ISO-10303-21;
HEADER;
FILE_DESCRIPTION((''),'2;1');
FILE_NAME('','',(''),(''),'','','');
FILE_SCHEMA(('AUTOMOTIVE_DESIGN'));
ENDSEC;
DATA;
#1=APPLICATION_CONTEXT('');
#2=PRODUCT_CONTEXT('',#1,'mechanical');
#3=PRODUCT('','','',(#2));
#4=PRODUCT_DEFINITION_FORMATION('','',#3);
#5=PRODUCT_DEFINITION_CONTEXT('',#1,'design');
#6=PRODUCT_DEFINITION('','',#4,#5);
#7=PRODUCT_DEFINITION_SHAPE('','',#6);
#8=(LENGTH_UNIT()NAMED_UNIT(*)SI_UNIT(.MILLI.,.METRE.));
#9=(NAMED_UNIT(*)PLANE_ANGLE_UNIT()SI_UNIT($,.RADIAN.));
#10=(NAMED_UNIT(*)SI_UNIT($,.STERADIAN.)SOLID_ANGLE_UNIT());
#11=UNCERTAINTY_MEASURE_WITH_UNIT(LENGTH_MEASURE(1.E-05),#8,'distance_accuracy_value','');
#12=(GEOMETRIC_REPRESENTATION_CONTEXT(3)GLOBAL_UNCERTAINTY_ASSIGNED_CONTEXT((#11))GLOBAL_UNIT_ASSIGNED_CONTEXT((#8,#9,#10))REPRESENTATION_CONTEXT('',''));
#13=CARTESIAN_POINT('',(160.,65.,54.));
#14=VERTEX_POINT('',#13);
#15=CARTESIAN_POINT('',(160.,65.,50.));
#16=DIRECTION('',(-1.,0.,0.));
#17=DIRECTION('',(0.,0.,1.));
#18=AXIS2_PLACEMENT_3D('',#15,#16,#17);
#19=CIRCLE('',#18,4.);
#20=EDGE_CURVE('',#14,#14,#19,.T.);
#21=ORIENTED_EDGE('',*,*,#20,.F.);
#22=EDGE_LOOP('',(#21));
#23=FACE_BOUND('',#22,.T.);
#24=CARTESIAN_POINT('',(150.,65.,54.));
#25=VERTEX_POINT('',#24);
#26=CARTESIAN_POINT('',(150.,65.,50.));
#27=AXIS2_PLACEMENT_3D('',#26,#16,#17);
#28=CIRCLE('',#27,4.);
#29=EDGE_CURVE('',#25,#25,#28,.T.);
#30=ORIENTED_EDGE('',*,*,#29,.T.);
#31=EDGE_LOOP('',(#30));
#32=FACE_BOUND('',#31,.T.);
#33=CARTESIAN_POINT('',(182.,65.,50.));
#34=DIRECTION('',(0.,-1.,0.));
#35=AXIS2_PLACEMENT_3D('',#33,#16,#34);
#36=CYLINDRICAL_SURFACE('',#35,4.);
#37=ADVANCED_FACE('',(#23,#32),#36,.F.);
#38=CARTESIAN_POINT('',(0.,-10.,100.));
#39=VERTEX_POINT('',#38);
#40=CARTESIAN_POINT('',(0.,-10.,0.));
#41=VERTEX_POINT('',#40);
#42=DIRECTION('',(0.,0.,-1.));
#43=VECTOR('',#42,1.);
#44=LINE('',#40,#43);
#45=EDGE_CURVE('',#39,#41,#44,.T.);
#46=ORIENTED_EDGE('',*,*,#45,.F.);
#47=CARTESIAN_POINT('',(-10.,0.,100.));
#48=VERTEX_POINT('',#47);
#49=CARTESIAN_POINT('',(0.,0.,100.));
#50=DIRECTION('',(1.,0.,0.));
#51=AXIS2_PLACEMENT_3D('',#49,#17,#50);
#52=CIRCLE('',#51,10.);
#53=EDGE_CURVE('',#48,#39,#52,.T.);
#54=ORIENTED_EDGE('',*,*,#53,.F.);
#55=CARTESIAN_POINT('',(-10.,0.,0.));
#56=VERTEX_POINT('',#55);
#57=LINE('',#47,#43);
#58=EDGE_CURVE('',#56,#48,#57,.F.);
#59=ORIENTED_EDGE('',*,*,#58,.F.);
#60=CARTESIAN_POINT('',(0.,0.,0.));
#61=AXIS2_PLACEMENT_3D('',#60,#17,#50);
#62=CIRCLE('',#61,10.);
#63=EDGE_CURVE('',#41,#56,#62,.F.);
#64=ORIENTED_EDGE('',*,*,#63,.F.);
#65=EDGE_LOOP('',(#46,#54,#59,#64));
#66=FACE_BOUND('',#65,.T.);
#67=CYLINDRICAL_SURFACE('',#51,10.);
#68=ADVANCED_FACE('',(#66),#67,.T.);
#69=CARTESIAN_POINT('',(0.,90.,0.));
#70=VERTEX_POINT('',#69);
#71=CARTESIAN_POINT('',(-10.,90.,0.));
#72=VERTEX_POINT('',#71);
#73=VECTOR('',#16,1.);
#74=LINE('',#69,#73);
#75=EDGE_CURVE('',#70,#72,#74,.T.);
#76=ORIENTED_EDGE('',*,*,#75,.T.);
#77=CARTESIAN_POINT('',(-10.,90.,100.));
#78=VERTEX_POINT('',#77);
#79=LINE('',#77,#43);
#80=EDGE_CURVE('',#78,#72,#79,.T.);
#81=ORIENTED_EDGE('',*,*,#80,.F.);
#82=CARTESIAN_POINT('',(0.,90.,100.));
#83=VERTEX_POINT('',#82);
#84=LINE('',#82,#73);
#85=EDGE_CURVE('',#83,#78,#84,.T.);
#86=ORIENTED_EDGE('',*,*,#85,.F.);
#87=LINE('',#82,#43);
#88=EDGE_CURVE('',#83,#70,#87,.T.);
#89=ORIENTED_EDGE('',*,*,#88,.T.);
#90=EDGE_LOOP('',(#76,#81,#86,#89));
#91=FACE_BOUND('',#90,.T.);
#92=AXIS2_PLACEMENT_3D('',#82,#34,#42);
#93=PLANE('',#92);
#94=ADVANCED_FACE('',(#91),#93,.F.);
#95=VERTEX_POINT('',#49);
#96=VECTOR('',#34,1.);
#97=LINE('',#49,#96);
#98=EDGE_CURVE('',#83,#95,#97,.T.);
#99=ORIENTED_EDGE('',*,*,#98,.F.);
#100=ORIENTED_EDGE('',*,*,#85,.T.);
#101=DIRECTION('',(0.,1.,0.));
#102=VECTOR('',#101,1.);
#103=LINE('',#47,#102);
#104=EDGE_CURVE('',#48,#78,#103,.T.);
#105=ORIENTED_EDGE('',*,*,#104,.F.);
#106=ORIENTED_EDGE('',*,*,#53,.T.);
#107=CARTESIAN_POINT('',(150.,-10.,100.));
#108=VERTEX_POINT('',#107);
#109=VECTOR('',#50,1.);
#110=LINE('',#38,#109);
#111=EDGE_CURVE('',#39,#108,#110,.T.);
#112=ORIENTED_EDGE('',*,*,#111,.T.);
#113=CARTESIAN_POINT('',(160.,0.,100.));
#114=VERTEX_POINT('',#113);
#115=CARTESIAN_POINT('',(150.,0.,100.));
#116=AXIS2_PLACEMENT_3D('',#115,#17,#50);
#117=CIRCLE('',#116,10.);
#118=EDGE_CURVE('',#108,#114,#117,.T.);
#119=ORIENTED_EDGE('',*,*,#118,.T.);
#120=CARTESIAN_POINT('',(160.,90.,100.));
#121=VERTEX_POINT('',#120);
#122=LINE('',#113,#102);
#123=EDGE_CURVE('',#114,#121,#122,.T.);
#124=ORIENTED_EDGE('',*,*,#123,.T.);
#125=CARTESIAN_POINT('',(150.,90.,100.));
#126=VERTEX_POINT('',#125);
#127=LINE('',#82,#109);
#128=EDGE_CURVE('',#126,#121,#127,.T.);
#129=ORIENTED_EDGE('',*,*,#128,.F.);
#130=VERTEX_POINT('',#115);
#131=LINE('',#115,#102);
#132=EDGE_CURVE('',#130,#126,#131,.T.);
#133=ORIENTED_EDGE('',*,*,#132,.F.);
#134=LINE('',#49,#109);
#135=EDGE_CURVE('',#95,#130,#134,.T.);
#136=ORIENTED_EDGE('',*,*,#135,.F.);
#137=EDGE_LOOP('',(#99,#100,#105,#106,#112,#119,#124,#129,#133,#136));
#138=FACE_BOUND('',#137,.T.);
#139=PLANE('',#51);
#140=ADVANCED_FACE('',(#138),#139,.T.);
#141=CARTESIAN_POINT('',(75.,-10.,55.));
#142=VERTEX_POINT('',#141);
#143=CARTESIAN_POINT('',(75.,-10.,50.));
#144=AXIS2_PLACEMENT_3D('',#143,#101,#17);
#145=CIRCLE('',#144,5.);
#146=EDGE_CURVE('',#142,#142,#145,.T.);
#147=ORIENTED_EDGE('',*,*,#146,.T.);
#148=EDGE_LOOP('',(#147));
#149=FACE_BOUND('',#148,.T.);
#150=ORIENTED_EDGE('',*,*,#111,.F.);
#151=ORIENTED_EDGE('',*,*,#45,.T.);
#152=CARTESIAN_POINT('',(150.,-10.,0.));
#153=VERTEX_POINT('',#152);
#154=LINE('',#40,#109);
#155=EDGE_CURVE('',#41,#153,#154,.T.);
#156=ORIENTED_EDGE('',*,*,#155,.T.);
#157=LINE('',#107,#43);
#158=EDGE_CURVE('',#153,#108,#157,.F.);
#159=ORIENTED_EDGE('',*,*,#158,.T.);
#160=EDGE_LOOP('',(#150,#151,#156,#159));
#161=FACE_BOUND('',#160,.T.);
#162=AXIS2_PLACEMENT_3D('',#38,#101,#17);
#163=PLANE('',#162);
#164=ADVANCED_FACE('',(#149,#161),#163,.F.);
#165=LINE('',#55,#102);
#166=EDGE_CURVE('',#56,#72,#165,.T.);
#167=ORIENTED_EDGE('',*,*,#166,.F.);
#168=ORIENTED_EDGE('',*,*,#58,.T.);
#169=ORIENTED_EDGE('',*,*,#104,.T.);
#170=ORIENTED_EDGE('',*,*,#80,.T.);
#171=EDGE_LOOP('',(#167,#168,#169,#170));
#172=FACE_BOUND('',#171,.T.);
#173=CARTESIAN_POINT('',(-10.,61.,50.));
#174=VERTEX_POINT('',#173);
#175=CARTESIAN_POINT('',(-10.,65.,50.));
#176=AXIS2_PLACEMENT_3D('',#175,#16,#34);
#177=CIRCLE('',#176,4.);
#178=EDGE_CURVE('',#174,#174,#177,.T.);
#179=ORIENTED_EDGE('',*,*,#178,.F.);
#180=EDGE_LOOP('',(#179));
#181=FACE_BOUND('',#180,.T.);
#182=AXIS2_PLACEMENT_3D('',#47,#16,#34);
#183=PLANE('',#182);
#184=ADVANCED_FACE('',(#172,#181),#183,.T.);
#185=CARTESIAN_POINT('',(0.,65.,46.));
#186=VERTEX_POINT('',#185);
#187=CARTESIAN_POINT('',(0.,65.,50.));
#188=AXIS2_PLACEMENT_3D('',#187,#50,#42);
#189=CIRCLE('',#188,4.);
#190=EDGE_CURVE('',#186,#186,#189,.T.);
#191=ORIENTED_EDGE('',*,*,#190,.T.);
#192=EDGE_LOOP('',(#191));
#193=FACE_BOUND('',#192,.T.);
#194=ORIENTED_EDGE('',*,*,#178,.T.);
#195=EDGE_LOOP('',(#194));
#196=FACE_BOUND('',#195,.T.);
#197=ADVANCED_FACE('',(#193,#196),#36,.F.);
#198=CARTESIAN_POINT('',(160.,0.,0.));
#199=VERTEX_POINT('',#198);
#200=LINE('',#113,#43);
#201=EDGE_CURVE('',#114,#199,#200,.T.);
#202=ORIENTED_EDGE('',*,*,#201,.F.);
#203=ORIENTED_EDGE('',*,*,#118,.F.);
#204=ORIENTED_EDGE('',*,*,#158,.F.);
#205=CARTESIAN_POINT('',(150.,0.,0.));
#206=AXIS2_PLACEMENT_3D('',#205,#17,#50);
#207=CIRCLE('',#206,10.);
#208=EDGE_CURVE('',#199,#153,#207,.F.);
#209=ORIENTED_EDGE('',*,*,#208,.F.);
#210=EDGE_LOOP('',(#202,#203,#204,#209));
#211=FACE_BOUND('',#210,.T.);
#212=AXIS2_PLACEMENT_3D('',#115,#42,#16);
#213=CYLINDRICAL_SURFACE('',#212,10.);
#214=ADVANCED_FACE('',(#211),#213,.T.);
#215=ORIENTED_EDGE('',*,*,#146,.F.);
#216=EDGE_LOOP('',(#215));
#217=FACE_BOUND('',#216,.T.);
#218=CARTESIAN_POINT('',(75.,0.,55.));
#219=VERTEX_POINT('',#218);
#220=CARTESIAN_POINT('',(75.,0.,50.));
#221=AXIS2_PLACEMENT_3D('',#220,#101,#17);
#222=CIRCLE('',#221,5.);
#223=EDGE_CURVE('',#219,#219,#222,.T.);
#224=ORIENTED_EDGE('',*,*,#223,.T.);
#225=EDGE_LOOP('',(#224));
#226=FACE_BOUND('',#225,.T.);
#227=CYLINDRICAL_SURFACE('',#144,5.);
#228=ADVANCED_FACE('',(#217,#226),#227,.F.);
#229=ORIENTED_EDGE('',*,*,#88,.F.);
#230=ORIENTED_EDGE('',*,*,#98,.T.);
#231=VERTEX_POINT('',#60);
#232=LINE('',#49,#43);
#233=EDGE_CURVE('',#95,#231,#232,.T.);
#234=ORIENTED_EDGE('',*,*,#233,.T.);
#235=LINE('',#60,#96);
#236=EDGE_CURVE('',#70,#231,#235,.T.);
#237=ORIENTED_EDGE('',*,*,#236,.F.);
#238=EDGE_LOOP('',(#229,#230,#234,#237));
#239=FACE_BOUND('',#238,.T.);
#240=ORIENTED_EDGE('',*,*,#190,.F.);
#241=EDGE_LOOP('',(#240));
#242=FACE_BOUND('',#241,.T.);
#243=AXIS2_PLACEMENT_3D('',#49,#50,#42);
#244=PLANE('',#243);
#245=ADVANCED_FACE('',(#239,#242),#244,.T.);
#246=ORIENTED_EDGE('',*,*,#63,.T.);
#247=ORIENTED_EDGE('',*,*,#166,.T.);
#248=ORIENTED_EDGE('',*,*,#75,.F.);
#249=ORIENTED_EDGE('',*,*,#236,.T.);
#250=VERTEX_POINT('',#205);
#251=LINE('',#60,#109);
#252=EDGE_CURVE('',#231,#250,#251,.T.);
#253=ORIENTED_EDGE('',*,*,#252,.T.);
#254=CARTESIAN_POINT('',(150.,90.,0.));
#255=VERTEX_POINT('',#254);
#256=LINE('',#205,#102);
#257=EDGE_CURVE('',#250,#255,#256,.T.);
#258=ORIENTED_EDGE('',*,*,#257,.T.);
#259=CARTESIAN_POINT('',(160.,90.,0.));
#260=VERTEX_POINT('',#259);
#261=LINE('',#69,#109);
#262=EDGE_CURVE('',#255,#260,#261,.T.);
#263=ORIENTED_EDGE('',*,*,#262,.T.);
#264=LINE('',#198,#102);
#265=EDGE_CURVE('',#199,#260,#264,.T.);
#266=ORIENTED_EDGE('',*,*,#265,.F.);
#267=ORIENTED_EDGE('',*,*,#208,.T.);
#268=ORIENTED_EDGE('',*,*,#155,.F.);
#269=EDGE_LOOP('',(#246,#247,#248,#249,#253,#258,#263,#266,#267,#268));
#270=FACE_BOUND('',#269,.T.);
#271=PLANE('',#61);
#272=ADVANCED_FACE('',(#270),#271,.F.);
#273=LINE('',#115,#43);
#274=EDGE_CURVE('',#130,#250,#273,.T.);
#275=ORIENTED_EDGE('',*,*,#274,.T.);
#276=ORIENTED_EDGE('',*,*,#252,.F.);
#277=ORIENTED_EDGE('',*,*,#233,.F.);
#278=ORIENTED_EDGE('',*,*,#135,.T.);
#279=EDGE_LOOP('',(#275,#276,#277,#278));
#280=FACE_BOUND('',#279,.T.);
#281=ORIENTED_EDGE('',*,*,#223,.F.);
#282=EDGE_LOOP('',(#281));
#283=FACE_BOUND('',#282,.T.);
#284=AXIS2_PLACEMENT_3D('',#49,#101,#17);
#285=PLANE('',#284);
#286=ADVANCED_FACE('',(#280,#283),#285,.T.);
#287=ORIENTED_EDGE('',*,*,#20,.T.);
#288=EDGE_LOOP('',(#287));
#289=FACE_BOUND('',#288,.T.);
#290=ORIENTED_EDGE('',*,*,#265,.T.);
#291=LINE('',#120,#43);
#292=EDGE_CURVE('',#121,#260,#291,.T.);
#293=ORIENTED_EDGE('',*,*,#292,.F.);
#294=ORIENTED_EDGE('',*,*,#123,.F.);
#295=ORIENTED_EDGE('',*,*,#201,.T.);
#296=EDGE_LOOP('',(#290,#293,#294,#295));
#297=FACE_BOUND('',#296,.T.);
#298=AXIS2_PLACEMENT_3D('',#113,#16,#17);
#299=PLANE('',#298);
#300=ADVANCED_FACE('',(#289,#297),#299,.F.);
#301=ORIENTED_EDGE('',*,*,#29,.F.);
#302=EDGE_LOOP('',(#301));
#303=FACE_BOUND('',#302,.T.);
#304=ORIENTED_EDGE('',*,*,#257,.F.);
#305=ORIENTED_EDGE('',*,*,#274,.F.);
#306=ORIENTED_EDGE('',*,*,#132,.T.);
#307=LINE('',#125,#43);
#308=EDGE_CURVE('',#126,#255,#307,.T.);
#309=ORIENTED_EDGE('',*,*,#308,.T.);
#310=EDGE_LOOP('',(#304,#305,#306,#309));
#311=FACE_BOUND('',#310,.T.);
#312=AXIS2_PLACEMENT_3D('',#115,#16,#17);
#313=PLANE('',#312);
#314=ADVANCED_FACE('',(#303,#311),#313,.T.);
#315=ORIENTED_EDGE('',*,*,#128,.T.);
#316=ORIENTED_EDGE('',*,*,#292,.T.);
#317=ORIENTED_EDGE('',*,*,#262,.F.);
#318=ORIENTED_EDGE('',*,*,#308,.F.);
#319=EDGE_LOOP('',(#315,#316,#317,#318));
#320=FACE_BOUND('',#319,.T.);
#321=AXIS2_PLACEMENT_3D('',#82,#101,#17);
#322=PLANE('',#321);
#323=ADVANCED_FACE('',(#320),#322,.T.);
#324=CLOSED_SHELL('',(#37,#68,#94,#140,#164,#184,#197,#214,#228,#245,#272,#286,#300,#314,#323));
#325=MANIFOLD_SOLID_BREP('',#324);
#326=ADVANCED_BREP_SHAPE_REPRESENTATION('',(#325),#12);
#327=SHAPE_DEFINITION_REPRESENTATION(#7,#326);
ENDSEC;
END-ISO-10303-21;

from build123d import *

# Parameters (mm, degrees)
SKETCH1_W           = 75
SKETCH1_H           = 10
BOSS_EXTRUDE1_DEPTH = 100
SKETCH2_R           = 5
CUT_EXTRUDE1_DEPTH  = 10
FILLET1_R           = 10
SKETCH3_R           = 4
CUT_EXTRUDE2_DEPTH  = 192


with BuildPart() as part:
    # Sketch1 → Boss-Extrude1 (new body)
    with BuildSketch(Plane.XY):
        with Locations((112.5, -5)):
            Rectangle(SKETCH1_W, SKETCH1_H)
        with Locations((37.5, -5)):
            Rectangle(SKETCH1_W, SKETCH1_H)
        Polygon((150, 0), (150, -10), (160, -10), (160, 90), (150, 90), align=None)
        Polygon((-10, -10), (0, -10), (0, 0), (0, 90), (-10, 90), align=None)
    extrude(amount=BOSS_EXTRUDE1_DEPTH)

    # Sketch2 → Cut-Extrude1 (cut)
    with BuildSketch(Plane(origin=(0, 0, 0), x_dir=(1, 0, 0), z_dir=(0, 1, 0))):
        with Locations(Location((75, -50, 0), (0, 0, 270))):
            Circle(SKETCH2_R)
    extrude(amount=-CUT_EXTRUDE1_DEPTH, mode=Mode.SUBTRACT)

    # Fillet1
    fillet1_edges = [part.edges().sort_by_distance(p)[0] for p in [
        (160, -10, 50),
        (-10, -10, 50),
    ]]
    fillet(fillet1_edges, radius=FILLET1_R)

    # Sketch3 → Cut-Extrude2 (cut)
    with BuildSketch(Plane.ZY.offset(10)):
        with Locations((50, 65)):
            Circle(SKETCH3_R)
    extrude(amount=-CUT_EXTRUDE2_DEPTH, mode=Mode.SUBTRACT)


solid = part.part
